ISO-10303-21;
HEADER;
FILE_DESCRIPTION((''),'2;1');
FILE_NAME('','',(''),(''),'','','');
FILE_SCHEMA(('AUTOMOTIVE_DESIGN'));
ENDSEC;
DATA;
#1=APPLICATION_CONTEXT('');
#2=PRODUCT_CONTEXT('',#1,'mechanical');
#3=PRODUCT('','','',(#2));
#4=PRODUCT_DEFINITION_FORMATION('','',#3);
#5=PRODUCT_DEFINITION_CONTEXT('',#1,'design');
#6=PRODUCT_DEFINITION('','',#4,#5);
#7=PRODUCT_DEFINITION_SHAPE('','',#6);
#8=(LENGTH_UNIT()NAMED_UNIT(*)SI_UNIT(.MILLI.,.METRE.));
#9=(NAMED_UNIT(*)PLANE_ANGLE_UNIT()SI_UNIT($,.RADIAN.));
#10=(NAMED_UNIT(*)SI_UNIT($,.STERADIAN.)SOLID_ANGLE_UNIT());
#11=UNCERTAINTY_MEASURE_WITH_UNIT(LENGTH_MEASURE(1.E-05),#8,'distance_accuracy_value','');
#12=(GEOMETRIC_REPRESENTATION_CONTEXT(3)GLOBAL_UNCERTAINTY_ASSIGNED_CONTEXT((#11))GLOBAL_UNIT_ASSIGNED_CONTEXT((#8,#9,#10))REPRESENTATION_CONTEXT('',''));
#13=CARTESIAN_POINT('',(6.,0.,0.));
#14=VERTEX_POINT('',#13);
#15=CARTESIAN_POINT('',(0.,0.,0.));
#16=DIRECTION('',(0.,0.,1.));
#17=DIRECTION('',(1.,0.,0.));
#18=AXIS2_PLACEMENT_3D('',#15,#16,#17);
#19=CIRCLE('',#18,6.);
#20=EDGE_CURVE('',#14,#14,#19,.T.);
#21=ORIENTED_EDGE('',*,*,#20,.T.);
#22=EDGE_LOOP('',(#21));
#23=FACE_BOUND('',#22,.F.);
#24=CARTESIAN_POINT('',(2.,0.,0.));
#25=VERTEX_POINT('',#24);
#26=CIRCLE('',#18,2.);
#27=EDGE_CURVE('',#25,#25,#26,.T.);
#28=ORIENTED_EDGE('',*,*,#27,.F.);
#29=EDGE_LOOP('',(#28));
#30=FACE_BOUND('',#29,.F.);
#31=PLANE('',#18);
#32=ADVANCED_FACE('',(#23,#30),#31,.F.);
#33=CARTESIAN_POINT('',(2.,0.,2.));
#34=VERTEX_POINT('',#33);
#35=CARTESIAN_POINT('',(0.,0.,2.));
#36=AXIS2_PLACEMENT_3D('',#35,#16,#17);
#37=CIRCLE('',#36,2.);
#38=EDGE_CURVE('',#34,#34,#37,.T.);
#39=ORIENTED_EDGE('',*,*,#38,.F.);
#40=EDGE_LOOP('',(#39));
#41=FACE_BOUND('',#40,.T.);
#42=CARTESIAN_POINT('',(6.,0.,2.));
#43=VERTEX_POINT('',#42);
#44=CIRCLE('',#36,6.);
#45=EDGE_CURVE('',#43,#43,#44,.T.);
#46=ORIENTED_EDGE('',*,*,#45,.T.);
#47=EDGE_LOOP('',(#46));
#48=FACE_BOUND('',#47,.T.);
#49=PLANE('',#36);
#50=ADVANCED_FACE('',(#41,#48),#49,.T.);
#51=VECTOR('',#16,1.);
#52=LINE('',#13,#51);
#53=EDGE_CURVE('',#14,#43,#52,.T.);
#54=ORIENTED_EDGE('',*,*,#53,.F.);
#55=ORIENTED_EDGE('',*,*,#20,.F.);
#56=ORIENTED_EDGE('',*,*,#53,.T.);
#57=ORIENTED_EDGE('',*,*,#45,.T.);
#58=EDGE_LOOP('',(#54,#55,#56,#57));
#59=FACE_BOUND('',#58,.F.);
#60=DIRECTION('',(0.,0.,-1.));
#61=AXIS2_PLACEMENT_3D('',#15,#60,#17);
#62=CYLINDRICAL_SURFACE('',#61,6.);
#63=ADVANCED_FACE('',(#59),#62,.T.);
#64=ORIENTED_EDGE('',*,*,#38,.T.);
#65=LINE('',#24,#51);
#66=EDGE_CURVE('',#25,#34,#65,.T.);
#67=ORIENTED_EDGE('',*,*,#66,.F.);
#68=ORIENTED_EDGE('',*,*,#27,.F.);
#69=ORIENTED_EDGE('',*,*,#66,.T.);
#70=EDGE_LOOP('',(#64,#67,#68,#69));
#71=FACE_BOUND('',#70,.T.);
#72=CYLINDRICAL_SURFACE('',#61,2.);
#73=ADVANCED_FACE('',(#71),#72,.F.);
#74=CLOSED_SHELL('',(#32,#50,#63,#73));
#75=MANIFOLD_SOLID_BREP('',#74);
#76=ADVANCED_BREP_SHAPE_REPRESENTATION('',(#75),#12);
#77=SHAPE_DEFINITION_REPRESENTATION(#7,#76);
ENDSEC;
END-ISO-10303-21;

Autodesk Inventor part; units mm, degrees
ref_plane "YZ Plane" through (0, 0, 0) normal (1, 0, 0) x (0, 1, 0)
ref_plane "XZ Plane" through (0, 0, 0) normal (0, 1, 0) x (-1, 0, 0)
ref_plane "XY Plane" through (0, 0, 0) normal (0, 0, 1) x (1, 0, 0)
sketch "Boceto1" plane through (0, 0, 0) normal (0, 0, 1) x (1, 0, 0)
  circle A0 centre (0, 0) radius 2
  circle A1 centre (0, 0) radius 6
  dimension "d0" = 4
  dimension "d1" = 12
extrude "Extrusión1" add sketch "Boceto1" along normal blind 2
properties part number "golilla de goma"
